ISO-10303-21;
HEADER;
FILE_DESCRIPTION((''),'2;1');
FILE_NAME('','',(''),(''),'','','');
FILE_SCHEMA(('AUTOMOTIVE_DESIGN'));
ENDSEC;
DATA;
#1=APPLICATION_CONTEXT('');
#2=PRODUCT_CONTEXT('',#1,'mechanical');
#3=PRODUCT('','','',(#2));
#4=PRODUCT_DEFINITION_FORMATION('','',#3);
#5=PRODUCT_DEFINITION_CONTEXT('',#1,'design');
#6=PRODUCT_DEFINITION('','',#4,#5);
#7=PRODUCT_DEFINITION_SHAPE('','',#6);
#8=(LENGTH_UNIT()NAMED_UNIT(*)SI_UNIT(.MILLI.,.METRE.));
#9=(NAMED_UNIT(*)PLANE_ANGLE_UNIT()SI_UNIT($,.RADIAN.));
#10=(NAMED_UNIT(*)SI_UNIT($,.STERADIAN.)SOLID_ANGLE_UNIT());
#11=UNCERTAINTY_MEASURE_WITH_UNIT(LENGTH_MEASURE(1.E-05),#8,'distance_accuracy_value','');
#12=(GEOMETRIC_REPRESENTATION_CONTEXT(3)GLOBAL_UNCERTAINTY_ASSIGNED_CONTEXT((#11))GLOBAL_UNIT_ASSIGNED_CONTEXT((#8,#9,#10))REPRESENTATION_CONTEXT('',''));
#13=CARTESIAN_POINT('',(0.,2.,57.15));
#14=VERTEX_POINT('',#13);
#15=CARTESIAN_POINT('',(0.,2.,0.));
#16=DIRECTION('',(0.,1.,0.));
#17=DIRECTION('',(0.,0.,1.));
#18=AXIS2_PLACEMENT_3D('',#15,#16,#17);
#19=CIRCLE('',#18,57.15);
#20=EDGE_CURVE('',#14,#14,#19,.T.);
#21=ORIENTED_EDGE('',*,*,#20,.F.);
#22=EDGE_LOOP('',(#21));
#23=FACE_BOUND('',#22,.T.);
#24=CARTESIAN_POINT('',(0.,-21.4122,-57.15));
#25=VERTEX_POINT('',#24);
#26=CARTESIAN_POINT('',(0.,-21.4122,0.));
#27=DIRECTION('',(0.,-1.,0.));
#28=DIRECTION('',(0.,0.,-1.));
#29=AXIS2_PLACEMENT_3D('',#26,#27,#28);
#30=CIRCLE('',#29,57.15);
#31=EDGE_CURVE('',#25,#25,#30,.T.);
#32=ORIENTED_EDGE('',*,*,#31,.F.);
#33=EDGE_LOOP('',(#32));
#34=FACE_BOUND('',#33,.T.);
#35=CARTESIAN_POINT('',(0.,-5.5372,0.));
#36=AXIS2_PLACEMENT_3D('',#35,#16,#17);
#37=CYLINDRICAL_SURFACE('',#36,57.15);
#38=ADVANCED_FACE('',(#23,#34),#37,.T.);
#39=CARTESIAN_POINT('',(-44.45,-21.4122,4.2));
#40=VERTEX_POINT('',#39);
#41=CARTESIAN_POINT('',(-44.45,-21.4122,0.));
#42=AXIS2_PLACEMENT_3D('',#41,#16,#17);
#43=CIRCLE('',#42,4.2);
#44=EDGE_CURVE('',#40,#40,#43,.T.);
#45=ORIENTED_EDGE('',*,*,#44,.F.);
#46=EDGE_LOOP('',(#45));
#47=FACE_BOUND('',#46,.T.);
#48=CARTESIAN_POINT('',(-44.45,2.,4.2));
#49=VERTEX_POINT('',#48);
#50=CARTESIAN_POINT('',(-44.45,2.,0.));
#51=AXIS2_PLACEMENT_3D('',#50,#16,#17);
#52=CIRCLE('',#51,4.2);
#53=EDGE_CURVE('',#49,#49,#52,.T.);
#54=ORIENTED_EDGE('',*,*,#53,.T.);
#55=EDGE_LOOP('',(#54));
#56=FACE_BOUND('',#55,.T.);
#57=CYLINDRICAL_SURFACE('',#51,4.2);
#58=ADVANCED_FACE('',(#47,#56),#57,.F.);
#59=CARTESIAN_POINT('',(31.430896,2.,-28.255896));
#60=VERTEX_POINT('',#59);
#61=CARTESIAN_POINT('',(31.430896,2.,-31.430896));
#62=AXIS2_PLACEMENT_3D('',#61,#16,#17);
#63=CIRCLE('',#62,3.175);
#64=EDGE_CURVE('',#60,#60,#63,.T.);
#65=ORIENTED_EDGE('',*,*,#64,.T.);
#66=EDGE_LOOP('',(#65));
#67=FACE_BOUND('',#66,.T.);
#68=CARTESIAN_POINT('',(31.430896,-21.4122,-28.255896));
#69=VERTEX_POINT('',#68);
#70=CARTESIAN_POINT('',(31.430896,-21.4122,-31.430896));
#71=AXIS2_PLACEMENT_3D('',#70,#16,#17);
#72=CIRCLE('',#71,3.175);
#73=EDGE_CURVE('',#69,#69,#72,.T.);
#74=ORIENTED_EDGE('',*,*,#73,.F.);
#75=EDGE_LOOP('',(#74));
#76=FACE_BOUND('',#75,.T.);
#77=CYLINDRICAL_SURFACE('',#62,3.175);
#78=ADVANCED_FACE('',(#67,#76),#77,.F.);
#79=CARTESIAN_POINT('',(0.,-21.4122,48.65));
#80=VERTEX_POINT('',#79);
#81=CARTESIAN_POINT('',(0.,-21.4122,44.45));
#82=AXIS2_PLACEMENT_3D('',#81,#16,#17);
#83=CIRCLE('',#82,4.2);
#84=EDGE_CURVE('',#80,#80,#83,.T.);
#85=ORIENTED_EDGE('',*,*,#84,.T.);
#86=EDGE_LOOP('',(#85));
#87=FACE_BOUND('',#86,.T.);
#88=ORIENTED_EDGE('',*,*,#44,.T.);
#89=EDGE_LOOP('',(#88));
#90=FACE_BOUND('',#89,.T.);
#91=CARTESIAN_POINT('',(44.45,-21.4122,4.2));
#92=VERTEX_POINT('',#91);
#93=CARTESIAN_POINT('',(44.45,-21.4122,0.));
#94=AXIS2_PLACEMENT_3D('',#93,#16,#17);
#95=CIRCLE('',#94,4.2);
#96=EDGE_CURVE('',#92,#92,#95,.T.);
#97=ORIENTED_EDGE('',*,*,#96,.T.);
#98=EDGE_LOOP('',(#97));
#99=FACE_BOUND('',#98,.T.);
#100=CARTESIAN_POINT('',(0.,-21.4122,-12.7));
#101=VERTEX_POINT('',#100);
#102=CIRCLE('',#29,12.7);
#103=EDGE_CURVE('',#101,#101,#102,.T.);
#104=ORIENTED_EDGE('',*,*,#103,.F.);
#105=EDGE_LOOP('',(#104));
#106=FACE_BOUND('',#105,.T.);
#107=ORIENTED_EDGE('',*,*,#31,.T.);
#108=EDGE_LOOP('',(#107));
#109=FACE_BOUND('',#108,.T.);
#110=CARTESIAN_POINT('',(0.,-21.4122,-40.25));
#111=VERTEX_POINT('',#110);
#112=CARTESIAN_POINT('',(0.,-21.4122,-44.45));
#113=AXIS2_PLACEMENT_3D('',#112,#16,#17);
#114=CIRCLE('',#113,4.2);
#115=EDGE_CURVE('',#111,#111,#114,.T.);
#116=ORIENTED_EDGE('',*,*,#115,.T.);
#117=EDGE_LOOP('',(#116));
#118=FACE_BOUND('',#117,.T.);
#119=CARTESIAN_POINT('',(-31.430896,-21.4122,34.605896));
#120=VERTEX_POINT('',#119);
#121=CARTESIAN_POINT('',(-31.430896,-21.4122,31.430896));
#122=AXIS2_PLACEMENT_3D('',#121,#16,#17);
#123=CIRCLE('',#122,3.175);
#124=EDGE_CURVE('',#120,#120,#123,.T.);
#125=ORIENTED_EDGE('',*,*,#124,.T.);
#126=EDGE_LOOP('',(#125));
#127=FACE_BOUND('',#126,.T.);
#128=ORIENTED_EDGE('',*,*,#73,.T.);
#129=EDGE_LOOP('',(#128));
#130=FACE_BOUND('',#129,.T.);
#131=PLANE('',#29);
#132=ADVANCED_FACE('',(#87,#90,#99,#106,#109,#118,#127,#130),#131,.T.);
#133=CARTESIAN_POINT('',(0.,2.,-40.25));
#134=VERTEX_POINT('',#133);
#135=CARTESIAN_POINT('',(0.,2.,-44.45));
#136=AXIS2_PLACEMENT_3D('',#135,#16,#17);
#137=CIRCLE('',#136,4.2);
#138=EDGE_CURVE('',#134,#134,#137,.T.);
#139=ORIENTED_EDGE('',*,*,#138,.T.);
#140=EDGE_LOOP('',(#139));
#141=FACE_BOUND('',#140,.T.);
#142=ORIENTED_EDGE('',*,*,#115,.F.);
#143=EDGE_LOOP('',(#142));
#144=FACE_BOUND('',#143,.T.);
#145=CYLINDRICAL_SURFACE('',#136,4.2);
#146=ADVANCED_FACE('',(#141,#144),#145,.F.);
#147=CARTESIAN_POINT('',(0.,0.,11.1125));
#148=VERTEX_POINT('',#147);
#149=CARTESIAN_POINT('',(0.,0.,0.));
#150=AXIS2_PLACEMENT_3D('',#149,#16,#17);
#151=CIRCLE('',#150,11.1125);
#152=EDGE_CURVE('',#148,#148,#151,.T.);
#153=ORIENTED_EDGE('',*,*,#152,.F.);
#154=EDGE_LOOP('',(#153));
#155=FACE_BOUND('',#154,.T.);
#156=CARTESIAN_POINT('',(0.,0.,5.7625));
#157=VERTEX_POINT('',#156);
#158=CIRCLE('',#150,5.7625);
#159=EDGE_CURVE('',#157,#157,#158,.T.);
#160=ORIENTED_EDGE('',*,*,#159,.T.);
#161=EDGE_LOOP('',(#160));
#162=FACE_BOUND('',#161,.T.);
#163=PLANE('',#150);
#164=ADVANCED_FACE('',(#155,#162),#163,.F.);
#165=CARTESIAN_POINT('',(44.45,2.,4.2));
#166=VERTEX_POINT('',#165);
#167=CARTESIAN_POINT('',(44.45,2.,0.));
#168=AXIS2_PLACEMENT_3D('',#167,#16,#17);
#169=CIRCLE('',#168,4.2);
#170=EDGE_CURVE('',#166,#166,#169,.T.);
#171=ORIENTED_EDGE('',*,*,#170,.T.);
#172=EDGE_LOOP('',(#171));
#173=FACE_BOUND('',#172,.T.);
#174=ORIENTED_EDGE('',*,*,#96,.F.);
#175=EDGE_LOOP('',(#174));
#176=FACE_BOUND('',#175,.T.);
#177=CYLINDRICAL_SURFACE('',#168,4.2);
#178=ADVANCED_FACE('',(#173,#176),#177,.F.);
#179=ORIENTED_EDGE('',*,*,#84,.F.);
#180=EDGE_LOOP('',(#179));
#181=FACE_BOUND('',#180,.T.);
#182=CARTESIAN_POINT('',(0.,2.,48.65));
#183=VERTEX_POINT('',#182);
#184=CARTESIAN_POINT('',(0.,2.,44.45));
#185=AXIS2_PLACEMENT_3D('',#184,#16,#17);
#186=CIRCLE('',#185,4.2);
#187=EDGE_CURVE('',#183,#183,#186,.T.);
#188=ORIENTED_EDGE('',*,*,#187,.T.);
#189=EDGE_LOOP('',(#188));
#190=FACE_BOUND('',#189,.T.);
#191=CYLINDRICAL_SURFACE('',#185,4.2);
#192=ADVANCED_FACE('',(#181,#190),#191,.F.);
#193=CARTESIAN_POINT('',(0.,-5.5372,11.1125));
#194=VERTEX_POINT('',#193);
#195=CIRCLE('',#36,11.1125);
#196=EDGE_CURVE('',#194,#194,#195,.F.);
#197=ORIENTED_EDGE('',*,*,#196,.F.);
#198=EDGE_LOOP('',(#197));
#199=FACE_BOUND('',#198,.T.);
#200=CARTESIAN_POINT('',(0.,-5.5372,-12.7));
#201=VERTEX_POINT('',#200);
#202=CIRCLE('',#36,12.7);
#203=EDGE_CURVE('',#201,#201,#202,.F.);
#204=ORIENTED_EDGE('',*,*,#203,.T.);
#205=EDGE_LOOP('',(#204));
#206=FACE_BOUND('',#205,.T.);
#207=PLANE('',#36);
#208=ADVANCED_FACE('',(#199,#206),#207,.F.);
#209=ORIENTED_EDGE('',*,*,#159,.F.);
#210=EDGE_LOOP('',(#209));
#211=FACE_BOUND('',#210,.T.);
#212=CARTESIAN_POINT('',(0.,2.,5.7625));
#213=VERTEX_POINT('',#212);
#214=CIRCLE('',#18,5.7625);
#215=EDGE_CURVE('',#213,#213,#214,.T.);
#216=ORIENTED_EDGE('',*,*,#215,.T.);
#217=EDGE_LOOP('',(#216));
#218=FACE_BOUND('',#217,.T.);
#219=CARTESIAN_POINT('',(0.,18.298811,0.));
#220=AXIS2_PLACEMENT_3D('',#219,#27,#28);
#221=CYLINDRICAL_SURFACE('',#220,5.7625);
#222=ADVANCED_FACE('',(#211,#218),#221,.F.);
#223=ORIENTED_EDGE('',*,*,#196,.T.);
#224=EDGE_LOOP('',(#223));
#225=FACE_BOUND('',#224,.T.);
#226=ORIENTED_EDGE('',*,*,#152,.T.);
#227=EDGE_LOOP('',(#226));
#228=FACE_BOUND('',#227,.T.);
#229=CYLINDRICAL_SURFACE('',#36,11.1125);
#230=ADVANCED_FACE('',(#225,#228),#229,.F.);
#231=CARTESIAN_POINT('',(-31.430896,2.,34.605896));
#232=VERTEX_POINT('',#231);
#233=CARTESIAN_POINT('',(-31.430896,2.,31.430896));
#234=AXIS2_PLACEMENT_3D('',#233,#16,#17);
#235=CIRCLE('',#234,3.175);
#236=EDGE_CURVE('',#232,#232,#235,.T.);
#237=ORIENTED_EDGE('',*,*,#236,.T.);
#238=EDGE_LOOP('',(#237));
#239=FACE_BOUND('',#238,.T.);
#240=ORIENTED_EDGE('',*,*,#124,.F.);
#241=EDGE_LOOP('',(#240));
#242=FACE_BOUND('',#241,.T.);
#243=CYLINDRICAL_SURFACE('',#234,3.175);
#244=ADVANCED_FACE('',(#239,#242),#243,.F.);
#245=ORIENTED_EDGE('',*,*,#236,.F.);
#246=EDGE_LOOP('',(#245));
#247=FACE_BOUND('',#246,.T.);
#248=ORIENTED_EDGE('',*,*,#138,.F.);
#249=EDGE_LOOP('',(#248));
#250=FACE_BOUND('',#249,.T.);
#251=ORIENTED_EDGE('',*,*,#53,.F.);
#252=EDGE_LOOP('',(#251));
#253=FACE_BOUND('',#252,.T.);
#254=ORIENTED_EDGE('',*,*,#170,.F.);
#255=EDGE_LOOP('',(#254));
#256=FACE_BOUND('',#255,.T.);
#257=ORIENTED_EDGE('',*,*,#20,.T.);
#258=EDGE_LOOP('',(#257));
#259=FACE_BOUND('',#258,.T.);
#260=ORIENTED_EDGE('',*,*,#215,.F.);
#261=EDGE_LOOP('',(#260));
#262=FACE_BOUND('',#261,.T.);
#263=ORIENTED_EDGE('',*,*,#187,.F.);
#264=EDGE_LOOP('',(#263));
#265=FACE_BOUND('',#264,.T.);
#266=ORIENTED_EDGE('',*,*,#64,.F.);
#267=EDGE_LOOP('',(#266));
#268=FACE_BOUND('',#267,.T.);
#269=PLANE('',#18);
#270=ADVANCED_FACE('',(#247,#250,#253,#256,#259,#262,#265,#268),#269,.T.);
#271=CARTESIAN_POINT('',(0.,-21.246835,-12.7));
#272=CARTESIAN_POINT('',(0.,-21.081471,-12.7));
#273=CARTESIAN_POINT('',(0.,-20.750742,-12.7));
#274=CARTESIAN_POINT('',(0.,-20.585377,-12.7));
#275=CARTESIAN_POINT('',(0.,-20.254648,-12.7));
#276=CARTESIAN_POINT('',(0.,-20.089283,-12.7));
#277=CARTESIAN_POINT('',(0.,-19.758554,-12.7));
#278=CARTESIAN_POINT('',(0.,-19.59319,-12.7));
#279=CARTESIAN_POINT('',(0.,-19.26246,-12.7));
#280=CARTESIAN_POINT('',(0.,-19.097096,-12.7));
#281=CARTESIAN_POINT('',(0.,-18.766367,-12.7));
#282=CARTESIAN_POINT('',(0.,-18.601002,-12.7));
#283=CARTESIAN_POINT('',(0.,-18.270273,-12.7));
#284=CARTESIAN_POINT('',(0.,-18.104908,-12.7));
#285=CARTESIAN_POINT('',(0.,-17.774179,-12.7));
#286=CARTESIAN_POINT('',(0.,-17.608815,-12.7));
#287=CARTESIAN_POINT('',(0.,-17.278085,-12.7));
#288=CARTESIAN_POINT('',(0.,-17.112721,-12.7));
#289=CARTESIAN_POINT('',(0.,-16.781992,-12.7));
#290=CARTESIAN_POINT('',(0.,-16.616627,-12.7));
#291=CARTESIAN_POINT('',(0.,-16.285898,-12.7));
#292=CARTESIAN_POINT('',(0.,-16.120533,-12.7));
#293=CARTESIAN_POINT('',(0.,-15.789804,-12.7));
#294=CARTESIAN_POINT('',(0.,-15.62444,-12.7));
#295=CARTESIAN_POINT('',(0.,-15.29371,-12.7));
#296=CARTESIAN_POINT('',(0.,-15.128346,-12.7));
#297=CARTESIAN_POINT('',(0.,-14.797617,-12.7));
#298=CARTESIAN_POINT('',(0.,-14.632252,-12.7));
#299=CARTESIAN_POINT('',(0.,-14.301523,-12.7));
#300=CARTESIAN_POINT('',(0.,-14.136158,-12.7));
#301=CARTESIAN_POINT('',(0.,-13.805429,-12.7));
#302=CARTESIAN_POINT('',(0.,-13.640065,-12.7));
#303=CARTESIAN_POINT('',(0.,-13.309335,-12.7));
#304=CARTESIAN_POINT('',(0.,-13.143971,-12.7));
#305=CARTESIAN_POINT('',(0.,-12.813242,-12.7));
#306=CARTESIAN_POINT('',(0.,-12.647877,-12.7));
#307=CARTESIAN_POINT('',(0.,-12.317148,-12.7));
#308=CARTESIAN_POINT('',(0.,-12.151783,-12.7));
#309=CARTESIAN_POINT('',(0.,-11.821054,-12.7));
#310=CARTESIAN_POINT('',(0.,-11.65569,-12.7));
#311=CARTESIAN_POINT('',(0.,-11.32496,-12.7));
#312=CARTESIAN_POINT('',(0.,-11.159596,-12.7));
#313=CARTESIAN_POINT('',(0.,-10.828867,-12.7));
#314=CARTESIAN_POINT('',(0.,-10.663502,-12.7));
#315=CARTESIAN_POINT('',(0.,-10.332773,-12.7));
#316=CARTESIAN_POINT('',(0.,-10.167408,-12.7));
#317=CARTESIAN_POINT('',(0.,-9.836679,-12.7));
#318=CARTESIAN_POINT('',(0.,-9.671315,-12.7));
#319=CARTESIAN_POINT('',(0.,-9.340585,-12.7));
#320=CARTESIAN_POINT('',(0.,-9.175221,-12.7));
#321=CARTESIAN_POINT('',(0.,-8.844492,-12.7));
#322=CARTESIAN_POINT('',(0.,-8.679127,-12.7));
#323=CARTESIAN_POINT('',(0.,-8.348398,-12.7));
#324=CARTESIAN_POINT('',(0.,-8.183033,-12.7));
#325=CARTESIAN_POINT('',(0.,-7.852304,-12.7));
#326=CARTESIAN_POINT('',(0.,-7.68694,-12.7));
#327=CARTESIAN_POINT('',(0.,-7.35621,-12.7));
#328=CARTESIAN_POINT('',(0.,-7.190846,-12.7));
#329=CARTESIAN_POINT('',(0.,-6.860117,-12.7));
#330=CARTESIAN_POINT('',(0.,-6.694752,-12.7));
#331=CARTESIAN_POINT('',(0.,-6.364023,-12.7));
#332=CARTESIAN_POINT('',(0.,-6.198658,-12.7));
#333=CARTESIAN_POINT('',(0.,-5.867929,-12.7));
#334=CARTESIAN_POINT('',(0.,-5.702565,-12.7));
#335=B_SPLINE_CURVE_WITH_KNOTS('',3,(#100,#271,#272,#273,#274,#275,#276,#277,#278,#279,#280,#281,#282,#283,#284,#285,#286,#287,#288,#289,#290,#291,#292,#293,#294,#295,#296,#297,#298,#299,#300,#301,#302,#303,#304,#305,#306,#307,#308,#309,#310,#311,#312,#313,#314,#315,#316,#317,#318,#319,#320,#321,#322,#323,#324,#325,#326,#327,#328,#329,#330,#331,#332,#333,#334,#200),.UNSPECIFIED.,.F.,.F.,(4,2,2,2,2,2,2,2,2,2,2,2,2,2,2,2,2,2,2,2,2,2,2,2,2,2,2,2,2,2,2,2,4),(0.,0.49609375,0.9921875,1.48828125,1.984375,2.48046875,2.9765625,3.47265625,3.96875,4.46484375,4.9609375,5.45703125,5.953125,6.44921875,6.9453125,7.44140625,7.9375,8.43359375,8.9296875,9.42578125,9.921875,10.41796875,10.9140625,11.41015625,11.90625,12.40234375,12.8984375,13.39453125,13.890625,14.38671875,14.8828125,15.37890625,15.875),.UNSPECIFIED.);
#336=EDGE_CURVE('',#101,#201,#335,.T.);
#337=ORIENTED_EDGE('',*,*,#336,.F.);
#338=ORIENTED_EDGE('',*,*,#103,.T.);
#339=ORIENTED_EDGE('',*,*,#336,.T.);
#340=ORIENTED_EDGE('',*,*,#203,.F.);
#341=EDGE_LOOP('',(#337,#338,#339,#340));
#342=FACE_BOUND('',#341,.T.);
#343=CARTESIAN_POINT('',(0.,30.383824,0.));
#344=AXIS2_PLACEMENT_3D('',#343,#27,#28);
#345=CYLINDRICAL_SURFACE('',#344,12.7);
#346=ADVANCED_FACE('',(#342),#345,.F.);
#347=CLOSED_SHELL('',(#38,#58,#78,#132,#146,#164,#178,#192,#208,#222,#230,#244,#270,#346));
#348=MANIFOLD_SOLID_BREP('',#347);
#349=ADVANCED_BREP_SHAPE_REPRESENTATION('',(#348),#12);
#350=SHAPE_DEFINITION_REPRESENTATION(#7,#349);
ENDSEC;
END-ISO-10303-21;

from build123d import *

# Parameters (mm, degrees)
SKETCH1_R                      = 57.15
SEAL_SEAT_HIEGHT_DEPTH         = 5.5372
SKETCH2_R                      = 57.15
SEAL_DIAPHRAM_HIEGHT_DEPTH     = 15.875
SEAL_START                     = 2
SKETCH3_R                      = 57.15
SEAL_SHOULDER_HIEGHT_DEPTH     = 2
SKETCH5_R                      = 11.1125
SEAL_SEAT_FIT_DEPTH            = 5.5372
SKETCH7_R                      = 5.7625
SHAFT_CLEARANCE_DEPTH          = 2
M8_CLEARANCE_HOLE1_D           = 8.4
F_1_4_0_25_PRESS_DOWEL_HOLE1_D = 6.35
SKETCH6_R                      = 12.7
CUT_EXTRUDE1_DEPTH             = 15.875


with BuildPart() as part:
    # Sketch1 → seal seat hieght (new body)
    with BuildSketch(Plane(origin=(0, 0, 0), x_dir=(1, 0, 0), z_dir=(0, 1, 0))):
        with Locations(Location((0, 0, 0), (0, 0, 270))):
            Circle(SKETCH1_R)
    extrude(amount=-SEAL_SEAT_HIEGHT_DEPTH)

    # Sketch2 → seal diaphram hieght (add)
    with BuildSketch(Plane.XZ.offset(5.5372)):
        with Locations(Location((0, 0, 0), (0, 0, 90))):
            Circle(SKETCH2_R)
    extrude(amount=SEAL_DIAPHRAM_HIEGHT_DEPTH)

    # Sketch3 → seal shoulder hieght (add)
    with BuildSketch(Plane(origin=(0, 0, 0), x_dir=(1, 0, 0), z_dir=(0, 1, 0)).offset(SEAL_START)):
        with Locations(Location((0, 0, 0), (0, 0, 270))):
            Circle(SKETCH3_R)
    extrude(amount=-SEAL_SHOULDER_HIEGHT_DEPTH)

    # Sketch5 → seal seat fit (cut)
    with BuildSketch(Plane(origin=(0, 0, 0), x_dir=(1, 0, 0), z_dir=(0, 1, 0))):
        with Locations(Location((0, 0, 0), (0, 0, 270))):
            Circle(SKETCH5_R)
    extrude(amount=-SEAL_SEAT_FIT_DEPTH, mode=Mode.SUBTRACT)

    # Sketch7 → shaft clearance (cut)
    with BuildSketch(Plane(origin=(0, 0, 0), x_dir=(1, 0, 0), z_dir=(0, 1, 0))):
        with Locations(Location((0, 0, 0), (0, 0, 270))):
            Circle(SKETCH7_R)
    extrude(amount=SHAFT_CLEARANCE_DEPTH, mode=Mode.SUBTRACT)

    # M8 Clearance Hole1 (through all)
    with Locations(Plane(origin=(0, 2, 0), x_dir=(1, 0, 0), z_dir=(0, 1, 0))):
        with Locations((-44.45, 0), (0, 44.45), (44.45, 0), (0, -44.45)):
            Hole(M8_CLEARANCE_HOLE1_D / 2)

    # 1/4 (0.25) Press Dowel Hole1 (through all)
    with Locations(Plane(origin=(0, 2, 0), x_dir=(1, 0, 0), z_dir=(0, 1, 0))):
        with Locations((31.430896424, 31.430896424), (-31.430896424, -31.430896424)):
            Hole(F_1_4_0_25_PRESS_DOWEL_HOLE1_D / 2)

    # Sketch6 → Cut-Extrude1 (cut)
    with BuildSketch(Plane(origin=(0, -21.4122, 0), x_dir=(-1, 0, 0), z_dir=(0, -1, 0))):
        with Locations(Location((0, 0, 0), (0, 0, 90))):
            Circle(SKETCH6_R)
    extrude(amount=-CUT_EXTRUDE1_DEPTH, mode=Mode.SUBTRACT)


solid = part.part
